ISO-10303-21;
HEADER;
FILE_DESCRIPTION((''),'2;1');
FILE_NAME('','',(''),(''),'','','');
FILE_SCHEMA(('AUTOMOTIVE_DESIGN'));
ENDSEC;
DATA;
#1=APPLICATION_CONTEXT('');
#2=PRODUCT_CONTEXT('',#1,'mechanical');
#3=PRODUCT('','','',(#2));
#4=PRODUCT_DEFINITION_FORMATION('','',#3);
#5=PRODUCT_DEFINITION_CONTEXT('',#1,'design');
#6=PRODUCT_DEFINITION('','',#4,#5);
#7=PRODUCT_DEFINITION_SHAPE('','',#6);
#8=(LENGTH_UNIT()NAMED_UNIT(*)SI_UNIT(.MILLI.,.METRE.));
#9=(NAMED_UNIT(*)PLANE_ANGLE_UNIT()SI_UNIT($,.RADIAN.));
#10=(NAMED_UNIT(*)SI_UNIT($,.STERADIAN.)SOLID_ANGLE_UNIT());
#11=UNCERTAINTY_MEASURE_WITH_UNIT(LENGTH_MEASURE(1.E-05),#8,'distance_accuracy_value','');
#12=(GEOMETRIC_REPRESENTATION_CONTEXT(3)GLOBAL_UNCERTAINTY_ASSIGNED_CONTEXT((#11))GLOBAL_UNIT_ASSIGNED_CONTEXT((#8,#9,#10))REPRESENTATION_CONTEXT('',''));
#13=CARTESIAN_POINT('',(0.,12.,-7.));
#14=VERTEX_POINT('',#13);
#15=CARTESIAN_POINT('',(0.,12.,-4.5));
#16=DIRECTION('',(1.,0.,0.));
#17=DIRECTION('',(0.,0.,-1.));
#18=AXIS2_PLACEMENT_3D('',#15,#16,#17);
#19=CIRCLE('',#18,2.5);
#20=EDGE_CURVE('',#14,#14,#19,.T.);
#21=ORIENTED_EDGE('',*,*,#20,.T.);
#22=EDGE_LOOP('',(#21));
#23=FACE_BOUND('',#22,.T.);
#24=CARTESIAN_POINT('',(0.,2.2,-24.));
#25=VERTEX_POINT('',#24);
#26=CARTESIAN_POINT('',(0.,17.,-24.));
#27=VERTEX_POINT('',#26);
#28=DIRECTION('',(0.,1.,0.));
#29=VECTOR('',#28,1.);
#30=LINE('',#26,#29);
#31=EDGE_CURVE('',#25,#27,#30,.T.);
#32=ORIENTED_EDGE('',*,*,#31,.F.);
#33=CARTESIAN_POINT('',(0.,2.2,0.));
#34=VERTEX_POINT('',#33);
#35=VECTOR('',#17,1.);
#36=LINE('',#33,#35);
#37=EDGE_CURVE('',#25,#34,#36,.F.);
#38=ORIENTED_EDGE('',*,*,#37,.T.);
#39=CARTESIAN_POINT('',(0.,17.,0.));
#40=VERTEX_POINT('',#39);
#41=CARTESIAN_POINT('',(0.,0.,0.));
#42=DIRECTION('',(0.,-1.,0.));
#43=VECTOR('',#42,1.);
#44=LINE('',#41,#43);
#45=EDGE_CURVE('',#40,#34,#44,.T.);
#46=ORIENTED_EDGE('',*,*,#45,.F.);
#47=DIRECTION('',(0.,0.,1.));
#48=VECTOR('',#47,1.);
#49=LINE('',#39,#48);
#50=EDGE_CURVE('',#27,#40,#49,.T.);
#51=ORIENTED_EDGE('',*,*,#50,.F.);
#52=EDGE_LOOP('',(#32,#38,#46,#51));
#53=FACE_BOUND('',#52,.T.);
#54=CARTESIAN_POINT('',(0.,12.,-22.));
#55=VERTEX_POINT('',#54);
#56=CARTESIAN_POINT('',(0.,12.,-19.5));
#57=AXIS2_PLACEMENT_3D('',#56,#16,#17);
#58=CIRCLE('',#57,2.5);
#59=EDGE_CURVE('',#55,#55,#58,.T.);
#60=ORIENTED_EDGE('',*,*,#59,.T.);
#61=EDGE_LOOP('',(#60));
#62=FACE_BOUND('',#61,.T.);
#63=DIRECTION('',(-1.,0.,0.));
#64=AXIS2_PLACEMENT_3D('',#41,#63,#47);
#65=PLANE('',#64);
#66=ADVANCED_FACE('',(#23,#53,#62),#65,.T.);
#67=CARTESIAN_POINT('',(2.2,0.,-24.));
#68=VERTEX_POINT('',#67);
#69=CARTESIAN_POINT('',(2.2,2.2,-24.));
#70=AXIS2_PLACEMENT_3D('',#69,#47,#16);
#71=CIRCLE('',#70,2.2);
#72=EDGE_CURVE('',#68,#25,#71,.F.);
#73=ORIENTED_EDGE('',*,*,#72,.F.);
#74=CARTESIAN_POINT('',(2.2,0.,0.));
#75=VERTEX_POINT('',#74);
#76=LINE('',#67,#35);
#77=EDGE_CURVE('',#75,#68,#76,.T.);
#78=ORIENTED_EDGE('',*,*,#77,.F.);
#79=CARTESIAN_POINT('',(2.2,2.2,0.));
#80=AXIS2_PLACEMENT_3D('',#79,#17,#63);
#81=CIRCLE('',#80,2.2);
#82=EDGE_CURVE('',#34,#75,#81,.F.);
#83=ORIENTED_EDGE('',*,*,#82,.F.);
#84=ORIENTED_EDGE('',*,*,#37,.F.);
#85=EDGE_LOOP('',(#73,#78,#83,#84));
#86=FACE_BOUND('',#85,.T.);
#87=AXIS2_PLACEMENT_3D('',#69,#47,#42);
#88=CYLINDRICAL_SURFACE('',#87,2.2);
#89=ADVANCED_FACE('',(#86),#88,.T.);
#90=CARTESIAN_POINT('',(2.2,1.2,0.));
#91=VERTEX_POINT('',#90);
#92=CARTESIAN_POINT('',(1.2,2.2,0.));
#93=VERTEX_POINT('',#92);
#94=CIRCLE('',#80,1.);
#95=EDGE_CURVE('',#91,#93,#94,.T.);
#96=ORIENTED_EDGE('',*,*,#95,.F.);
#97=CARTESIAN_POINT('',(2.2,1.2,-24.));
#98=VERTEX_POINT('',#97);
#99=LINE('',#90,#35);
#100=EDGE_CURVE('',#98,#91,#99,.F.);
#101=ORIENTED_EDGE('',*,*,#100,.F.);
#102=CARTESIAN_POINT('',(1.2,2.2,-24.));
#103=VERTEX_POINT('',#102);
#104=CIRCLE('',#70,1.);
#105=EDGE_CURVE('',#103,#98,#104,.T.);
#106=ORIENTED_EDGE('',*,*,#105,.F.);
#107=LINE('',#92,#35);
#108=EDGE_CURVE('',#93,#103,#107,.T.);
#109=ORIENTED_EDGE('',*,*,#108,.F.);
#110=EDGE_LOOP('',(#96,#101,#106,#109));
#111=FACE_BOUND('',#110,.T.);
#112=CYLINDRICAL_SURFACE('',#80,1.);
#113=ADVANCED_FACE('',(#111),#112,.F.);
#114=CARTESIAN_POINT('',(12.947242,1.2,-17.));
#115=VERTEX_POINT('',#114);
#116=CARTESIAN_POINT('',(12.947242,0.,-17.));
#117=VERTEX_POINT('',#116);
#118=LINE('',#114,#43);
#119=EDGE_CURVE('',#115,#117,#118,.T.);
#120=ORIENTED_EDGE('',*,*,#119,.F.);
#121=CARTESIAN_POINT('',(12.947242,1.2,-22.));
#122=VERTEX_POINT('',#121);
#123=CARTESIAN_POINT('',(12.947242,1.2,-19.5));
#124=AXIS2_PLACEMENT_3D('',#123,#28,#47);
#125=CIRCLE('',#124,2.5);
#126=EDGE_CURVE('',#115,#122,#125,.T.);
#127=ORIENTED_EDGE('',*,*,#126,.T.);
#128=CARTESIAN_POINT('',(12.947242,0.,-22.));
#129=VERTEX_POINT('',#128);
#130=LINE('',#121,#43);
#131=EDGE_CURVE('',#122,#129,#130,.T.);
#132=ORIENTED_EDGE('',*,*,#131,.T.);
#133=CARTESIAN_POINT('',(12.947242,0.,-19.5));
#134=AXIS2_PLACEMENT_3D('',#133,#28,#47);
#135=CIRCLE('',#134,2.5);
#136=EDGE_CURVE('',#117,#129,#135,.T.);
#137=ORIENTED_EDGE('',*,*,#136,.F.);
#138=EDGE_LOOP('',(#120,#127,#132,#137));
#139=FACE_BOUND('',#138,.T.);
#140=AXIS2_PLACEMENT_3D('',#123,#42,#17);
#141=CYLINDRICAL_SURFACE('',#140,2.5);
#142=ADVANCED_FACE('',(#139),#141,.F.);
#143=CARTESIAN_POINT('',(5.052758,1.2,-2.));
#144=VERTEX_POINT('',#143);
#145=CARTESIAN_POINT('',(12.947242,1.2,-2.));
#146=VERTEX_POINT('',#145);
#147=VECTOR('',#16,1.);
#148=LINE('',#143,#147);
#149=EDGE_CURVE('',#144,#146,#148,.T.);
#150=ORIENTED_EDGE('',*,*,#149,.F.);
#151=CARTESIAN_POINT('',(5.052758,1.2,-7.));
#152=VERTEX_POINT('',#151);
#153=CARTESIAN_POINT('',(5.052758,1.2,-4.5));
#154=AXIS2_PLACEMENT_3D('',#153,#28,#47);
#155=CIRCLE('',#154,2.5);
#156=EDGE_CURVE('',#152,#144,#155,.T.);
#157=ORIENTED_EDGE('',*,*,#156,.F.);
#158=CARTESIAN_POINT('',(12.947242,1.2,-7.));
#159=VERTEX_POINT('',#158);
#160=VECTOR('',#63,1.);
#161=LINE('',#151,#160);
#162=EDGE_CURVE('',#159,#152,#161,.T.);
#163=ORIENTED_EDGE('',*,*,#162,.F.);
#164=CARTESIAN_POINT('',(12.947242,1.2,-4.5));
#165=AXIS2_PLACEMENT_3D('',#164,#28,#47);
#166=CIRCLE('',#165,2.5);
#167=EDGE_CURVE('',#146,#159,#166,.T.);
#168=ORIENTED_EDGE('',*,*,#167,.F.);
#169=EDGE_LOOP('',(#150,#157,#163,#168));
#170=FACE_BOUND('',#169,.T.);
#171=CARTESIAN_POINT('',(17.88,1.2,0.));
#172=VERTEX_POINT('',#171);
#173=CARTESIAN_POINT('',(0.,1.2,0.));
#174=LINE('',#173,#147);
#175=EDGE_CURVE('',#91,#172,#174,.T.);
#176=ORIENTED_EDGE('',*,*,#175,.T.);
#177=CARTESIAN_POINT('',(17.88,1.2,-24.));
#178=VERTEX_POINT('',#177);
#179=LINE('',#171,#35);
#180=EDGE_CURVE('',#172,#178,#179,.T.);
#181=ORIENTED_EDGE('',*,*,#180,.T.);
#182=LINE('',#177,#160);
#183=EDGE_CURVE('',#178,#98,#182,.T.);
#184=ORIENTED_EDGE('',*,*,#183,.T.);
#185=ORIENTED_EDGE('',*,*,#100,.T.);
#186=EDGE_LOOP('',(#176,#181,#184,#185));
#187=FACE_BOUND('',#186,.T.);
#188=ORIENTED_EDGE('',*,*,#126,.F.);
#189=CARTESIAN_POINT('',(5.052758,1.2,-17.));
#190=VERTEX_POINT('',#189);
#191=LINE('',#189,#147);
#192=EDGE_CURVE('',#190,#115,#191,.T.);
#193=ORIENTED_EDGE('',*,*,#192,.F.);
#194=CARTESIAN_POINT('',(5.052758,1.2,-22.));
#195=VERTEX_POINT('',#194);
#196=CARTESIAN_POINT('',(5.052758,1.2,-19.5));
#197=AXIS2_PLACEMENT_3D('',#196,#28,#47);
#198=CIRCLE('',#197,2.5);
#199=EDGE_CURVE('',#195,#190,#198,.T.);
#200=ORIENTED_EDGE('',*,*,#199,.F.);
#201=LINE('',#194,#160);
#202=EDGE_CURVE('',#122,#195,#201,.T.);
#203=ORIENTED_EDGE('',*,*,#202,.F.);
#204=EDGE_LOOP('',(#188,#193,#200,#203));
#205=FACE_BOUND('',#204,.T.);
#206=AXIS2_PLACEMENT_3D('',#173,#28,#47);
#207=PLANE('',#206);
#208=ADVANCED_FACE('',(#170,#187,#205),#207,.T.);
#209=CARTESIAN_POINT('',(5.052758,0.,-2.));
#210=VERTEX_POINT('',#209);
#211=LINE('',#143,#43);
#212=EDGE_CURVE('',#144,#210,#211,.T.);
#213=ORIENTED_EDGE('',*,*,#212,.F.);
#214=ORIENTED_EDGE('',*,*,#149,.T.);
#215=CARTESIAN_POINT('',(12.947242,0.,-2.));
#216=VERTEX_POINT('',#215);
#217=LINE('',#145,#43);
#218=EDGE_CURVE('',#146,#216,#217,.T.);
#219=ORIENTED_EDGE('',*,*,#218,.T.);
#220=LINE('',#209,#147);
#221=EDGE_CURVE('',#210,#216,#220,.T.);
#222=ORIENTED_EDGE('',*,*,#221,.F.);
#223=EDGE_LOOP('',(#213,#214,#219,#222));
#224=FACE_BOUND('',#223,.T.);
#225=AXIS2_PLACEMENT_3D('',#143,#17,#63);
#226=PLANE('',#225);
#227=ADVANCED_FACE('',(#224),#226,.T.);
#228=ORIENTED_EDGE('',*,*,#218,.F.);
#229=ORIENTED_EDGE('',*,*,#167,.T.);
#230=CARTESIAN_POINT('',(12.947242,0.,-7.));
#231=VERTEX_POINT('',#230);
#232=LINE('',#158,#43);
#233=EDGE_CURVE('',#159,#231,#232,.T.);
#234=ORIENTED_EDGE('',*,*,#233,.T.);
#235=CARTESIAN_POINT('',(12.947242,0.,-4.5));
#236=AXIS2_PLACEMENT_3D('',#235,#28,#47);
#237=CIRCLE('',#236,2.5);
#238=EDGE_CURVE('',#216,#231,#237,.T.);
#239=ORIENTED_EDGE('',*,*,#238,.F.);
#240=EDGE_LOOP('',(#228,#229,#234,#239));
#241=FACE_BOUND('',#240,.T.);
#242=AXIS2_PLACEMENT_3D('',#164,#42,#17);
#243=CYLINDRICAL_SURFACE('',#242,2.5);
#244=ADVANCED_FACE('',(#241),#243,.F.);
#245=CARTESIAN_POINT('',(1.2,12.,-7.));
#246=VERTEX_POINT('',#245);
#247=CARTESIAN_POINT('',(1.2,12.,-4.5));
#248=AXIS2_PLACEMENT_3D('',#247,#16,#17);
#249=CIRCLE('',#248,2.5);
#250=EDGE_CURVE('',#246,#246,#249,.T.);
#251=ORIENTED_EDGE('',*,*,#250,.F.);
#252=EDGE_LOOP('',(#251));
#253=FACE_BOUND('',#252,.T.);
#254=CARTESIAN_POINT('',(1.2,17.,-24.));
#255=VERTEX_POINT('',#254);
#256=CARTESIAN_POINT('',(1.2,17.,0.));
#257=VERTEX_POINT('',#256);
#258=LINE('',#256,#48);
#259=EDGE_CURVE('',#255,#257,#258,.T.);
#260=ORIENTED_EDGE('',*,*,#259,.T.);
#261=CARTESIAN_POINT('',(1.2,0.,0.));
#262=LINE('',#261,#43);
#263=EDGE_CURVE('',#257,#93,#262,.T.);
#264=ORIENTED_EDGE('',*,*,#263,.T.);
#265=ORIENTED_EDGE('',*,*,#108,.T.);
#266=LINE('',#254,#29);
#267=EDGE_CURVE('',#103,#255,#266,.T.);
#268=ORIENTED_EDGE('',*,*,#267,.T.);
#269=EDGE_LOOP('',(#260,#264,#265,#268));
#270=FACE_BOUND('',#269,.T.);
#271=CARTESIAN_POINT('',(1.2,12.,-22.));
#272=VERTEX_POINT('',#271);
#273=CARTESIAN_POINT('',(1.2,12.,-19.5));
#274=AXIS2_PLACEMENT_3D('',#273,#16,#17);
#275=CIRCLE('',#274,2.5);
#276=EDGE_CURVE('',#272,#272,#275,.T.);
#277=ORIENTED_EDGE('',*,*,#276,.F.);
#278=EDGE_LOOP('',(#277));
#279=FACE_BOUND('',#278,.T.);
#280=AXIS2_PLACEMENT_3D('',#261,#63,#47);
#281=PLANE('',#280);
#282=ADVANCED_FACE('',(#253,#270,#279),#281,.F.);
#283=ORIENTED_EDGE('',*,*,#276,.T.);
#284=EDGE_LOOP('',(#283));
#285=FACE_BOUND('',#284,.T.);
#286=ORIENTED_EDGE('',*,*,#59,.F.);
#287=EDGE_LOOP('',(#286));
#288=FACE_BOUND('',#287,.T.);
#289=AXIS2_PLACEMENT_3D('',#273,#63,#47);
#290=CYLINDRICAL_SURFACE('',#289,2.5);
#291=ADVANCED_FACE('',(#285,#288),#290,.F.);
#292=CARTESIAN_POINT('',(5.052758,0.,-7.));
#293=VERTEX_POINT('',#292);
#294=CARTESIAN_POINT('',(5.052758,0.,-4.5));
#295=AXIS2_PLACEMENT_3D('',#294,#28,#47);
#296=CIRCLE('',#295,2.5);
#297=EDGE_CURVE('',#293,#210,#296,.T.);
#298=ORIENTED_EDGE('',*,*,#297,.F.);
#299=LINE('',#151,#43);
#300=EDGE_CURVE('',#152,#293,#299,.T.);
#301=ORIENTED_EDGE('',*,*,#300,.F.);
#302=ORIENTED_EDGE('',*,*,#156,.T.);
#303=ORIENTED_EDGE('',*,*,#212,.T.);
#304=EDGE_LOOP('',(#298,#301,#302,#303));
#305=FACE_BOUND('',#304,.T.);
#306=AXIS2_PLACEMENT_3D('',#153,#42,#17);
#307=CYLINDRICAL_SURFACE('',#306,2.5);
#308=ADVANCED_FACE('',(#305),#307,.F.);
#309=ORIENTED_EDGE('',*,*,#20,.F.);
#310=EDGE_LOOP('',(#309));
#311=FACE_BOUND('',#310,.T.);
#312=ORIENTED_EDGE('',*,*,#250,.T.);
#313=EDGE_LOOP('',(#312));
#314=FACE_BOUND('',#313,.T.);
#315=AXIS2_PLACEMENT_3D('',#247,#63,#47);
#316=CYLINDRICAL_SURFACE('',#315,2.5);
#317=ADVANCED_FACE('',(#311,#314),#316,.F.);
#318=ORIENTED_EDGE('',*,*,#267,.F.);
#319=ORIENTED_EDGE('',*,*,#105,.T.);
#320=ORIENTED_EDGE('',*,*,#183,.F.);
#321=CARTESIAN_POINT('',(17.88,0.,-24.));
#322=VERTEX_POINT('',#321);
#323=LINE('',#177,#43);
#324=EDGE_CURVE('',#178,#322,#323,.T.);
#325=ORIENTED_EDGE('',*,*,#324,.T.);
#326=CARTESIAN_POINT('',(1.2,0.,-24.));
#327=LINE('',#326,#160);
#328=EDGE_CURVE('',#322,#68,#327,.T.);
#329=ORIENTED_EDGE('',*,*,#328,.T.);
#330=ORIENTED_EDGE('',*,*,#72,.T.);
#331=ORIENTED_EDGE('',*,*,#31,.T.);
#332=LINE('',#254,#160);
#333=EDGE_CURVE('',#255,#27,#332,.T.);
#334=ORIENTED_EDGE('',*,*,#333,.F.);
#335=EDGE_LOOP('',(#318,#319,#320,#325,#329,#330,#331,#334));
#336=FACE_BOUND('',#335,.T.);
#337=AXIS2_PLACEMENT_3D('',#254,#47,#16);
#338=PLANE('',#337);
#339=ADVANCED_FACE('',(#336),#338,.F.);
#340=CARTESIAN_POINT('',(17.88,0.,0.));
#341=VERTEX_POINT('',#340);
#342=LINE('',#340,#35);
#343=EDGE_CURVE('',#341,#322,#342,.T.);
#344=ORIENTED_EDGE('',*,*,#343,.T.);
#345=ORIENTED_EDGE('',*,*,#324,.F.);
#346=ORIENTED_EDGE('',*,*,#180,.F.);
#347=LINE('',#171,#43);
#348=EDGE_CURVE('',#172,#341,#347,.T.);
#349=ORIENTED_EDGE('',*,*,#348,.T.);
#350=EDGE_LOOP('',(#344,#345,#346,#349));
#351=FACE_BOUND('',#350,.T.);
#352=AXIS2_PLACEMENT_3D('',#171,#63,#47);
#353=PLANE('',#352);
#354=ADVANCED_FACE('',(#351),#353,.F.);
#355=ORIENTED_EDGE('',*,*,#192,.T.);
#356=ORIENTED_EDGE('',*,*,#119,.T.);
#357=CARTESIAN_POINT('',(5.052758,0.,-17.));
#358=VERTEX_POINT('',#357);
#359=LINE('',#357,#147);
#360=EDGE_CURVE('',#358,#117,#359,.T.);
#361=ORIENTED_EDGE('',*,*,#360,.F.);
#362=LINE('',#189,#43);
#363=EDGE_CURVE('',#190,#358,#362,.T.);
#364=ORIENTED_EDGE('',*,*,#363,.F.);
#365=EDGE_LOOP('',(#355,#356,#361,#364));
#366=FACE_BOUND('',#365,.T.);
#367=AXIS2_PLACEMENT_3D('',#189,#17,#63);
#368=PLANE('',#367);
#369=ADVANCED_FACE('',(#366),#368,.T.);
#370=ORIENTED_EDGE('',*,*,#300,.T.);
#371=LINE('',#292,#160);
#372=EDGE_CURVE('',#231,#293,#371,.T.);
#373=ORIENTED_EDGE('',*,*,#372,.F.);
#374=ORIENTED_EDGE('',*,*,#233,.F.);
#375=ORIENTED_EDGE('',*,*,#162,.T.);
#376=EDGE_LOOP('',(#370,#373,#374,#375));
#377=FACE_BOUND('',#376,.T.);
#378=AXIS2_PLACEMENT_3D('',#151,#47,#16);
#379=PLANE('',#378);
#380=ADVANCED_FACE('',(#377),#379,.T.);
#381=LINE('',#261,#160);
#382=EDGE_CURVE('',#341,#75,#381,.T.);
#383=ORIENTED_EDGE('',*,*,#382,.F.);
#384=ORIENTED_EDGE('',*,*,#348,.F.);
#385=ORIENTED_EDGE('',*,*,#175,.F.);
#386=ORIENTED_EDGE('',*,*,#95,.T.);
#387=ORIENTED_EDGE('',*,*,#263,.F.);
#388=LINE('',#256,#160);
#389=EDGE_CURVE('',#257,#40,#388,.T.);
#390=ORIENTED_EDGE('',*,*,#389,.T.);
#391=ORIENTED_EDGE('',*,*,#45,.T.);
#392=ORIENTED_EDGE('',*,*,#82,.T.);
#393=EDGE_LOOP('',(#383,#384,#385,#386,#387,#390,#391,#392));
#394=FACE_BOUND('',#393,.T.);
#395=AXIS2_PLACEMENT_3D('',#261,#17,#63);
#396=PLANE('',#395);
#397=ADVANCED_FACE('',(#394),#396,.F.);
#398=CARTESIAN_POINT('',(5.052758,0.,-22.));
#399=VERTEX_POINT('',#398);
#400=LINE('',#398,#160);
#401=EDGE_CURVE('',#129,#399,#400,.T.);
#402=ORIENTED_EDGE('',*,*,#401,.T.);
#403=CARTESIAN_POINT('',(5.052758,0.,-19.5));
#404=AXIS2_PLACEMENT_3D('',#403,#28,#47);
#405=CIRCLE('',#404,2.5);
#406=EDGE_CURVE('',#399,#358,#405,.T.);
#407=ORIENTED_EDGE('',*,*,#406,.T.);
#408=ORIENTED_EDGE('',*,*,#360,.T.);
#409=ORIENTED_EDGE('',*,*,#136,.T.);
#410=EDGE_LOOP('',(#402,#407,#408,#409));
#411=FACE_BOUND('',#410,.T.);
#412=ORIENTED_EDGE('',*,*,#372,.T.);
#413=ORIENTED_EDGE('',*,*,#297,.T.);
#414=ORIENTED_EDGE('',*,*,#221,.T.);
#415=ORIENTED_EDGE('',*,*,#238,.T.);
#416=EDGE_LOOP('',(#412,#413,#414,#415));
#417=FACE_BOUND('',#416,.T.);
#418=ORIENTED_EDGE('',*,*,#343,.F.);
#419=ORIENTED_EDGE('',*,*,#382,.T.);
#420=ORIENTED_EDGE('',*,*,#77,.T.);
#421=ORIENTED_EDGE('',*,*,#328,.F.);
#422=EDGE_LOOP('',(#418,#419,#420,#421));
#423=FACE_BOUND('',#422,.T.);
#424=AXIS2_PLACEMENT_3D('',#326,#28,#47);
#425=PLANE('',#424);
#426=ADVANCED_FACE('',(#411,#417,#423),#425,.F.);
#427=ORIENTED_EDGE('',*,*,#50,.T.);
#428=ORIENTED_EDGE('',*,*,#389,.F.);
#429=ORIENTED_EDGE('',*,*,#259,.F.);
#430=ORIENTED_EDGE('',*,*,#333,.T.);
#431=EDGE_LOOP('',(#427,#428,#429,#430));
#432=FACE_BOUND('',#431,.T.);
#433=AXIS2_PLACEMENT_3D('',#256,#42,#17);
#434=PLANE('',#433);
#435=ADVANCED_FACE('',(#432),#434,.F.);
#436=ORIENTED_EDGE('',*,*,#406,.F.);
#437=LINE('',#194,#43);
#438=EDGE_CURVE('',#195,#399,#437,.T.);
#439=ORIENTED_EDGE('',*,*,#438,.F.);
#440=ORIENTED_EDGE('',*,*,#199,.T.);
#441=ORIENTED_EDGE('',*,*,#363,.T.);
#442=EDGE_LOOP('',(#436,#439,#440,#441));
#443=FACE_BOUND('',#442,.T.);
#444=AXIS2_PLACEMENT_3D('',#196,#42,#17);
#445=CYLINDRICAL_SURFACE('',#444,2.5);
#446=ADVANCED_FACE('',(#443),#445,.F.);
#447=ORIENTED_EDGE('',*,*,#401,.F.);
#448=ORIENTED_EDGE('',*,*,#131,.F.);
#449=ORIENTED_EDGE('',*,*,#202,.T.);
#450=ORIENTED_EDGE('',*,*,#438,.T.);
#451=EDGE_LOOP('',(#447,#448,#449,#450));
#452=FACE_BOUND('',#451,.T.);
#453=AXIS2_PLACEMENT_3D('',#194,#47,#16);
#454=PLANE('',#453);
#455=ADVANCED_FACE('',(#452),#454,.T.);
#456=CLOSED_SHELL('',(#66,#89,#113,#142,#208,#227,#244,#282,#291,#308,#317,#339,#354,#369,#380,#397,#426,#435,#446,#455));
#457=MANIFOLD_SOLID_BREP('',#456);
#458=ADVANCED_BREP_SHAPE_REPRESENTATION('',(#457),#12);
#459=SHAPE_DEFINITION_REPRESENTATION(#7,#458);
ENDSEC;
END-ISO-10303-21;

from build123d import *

# Parameters (mm, degrees)
SKETCH1_W           = 24
SKETCH1_H           = 17
SKETCH1_R           = 2.5
BOSS_EXTRUDE1_DEPTH = 1.2
SKETCH3_W           = 17.88
SKETCH3_H           = 24
BOSS_EXTRUDE3_DEPTH = 1.2
FILLET1_R           = 1
FILLET2_R           = 2.2


with BuildPart() as part:
    # Sketch1 → Boss-Extrude1 (new body)
    with BuildSketch(Plane(origin=(0, 0, 0), x_dir=(0, 0, -1), z_dir=(1, 0, 0))):
        with Locations((12, 8.5)):
            Rectangle(SKETCH1_W, SKETCH1_H)
        with Locations((4.5, 12)):
            Circle(SKETCH1_R, mode=Mode.SUBTRACT)
        with Locations((19.5, 12)):
            Circle(SKETCH1_R, mode=Mode.SUBTRACT)
    extrude(amount=BOSS_EXTRUDE1_DEPTH)

    # Sketch3 → Boss-Extrude3 (add)
    with BuildSketch(Plane(origin=(0, 0, 0), x_dir=(1, 0, 0), z_dir=(0, 1, 0))):
        with Locations((8.94, 12)):
            Rectangle(SKETCH3_W, SKETCH3_H)
        with BuildLine():
            Line((5.052758316, 22), (12.947241684, 22))
            ThreePointArc((12.947241684, 22), (15.447241684, 19.5), (12.947241684, 17))
            Line((12.947241684, 17), (5.052758316, 17))
            ThreePointArc((5.052758316, 17), (2.552758316, 19.5), (5.052758316, 22))
        make_face(mode=Mode.SUBTRACT)
        with BuildLine():
            Line((5.052758316, 7), (12.947241684, 7))
            ThreePointArc((12.947241684, 7), (15.447241684, 4.5), (12.947241684, 2))
            Line((12.947241684, 2), (5.052758316, 2))
            ThreePointArc((5.052758316, 2), (2.552758316, 4.5), (5.052758316, 7))
        make_face(mode=Mode.SUBTRACT)
    extrude(amount=BOSS_EXTRUDE3_DEPTH)

    # Fillet1
    fillet1_edges = [part.edges().sort_by_distance(p)[0] for p in [
        (1.2, 1.2, -12),
    ]]
    fillet(fillet1_edges, radius=FILLET1_R)

    # Fillet2
    fillet2_edges = [part.edges().sort_by_distance(p)[0] for p in [
        (0, 0, -12),
    ]]
    fillet(fillet2_edges, radius=FILLET2_R)


solid = part.part
